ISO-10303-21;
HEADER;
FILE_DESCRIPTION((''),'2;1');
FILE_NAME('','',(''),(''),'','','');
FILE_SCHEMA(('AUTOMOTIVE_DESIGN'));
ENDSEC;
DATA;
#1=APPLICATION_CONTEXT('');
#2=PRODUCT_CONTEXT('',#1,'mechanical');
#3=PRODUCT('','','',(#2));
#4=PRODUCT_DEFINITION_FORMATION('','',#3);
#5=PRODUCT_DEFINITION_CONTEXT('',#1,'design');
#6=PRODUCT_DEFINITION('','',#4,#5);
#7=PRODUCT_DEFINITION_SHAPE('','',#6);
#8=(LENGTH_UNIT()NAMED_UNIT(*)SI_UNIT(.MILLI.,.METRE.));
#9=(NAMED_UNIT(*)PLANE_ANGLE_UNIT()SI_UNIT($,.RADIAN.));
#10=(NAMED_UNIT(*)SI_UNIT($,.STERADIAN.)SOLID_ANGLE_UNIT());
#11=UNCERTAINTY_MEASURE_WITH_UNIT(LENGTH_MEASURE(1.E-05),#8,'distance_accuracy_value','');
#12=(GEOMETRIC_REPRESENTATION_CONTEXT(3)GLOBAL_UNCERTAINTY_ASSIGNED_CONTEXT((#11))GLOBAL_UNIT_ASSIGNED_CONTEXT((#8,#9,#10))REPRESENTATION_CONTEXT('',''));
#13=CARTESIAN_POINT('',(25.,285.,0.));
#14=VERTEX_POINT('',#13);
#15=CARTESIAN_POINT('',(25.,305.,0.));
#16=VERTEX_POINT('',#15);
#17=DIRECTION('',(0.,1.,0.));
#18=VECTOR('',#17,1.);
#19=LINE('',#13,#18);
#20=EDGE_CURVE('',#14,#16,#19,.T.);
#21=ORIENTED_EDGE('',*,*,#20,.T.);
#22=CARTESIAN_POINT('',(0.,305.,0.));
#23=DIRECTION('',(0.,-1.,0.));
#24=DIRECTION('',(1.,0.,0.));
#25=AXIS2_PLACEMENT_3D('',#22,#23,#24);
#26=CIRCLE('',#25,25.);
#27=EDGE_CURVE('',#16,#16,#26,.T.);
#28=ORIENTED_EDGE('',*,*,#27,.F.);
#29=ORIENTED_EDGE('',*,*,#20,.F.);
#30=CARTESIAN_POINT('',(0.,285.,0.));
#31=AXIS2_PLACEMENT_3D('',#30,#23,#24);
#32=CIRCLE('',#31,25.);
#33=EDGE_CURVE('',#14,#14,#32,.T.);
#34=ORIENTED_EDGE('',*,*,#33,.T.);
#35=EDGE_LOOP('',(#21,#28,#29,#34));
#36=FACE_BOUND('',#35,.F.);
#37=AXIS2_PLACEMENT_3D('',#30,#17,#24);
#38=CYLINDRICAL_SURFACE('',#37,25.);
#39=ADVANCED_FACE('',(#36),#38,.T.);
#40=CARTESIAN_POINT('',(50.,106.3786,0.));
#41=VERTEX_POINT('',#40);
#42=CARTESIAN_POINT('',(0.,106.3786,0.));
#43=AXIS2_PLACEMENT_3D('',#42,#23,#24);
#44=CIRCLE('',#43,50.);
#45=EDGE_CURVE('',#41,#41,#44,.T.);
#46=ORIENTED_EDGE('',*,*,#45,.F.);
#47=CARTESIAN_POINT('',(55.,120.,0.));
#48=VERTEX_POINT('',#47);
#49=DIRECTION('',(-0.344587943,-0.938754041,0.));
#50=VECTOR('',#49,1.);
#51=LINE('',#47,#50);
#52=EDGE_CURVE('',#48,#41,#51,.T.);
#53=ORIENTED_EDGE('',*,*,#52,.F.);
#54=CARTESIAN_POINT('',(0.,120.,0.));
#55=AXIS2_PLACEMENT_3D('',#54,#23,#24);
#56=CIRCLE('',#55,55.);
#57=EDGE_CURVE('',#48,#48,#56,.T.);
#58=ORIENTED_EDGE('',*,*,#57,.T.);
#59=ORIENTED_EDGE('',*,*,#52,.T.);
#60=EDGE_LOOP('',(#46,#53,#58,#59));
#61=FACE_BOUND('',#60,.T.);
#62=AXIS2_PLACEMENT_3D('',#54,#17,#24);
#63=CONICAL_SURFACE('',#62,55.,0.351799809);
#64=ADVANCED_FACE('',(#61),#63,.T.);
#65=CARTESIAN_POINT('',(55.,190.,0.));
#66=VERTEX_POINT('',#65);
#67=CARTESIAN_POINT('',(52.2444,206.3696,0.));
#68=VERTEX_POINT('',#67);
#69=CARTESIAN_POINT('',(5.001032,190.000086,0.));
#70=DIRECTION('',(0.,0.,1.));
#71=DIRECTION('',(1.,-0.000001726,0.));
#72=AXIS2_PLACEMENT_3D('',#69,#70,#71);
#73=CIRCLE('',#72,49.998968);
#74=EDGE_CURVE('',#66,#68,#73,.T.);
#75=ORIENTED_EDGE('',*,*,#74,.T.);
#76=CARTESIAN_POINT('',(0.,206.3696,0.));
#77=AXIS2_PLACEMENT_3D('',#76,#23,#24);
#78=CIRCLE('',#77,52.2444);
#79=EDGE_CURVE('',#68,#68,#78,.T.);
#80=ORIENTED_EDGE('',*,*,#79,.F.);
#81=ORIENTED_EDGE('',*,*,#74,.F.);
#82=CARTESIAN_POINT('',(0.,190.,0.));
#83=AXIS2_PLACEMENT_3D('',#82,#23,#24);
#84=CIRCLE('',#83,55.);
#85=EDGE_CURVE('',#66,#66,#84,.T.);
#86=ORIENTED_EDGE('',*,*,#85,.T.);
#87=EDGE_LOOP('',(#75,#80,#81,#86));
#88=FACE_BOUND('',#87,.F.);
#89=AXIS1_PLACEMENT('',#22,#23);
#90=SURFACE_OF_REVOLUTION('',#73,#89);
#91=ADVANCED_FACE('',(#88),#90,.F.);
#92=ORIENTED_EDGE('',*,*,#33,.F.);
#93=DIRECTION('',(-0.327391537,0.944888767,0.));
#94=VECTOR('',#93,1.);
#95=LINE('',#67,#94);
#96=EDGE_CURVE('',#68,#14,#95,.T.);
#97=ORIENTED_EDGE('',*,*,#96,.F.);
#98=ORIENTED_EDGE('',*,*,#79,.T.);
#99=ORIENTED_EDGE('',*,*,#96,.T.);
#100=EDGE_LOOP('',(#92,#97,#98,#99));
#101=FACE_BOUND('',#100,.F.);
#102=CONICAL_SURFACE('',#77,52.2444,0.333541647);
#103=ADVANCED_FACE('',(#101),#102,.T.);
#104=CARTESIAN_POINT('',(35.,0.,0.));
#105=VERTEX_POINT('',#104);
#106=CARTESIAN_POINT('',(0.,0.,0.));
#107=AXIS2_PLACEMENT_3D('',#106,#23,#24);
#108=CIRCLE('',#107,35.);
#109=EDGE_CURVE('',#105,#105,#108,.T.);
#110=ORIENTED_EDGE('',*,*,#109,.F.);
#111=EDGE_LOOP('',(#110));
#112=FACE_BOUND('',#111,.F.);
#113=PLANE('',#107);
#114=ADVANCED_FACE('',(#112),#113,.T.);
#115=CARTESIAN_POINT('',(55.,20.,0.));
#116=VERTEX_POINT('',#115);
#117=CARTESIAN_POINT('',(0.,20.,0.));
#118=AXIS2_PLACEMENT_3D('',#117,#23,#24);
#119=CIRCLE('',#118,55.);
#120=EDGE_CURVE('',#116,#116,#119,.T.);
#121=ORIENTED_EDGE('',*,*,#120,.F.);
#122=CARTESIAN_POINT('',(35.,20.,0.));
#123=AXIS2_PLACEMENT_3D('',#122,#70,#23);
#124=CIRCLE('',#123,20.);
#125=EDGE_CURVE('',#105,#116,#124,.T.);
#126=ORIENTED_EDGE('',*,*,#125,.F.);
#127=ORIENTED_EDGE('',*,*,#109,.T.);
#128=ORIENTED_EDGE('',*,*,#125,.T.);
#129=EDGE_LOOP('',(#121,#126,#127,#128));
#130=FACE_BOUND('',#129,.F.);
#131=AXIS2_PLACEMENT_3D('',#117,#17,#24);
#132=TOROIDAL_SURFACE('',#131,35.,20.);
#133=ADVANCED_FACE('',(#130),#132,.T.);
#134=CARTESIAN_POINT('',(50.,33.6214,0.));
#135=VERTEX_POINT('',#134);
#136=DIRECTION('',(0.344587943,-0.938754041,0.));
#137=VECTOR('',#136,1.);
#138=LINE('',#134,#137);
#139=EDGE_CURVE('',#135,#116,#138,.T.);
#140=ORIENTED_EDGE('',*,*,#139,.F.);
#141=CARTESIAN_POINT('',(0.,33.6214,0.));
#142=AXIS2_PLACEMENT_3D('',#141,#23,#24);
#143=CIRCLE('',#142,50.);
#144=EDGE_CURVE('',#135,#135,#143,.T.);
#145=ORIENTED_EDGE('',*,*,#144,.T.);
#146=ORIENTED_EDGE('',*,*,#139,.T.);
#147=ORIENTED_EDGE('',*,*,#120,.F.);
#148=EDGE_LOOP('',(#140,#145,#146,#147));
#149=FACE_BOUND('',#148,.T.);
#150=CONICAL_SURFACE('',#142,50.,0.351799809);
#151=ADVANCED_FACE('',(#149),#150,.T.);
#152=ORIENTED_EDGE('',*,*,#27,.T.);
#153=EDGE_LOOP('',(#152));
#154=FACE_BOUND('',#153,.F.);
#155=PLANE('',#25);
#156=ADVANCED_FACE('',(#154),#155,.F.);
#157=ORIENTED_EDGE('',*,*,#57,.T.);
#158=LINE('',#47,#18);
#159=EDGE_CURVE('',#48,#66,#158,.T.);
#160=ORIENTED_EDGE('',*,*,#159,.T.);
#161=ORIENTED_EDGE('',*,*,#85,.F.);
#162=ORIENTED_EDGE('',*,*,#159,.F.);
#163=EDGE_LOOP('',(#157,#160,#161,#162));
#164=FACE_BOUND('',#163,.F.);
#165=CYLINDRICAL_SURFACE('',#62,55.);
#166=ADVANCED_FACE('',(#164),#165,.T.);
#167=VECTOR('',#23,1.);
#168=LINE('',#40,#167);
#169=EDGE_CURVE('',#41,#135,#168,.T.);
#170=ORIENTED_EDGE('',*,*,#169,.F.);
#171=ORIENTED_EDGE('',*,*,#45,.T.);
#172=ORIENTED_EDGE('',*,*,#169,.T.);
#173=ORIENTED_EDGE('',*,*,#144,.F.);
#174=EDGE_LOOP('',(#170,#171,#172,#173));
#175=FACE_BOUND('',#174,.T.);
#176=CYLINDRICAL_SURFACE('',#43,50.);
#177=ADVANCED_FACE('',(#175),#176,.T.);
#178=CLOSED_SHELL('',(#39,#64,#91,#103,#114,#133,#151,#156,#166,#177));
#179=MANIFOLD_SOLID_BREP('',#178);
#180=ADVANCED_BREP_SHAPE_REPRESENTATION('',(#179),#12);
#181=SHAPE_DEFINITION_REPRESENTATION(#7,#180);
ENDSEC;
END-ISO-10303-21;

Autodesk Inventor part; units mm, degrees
ref_plane "YZ Plane" through (0, 0, 0) normal (1, 0, 0) x (0, 1, 0)
ref_plane "XZ Plane" through (0, 0, 0) normal (0, 1, 0) x (-1, 0, 0)
ref_plane "XY Plane" through (0, 0, 0) normal (0, 0, 1) x (1, 0, 0)
sketch "Sketch1" plane through (0, 0, 0) normal (0, 0, 1) x (1, 0, 0)
  line L0 (0, 0) -> (35, 0)
  line L1 (55, 20) -> (55, 120) construction
  line L2 (52.2444, 206.3696) -> (25, 285)
  line L3 (25, 285) -> (25, 305)
  line L4 (25, 305) -> (0, 305)
  line L5 (0, 305) -> (0, 0)
  arc A0 (55, 190) -> (52.2444, 206.3696) centre (5, 190) ccw
  arc A1 (35, 0) -> (55, 20) centre (35, 20) ccw
  line L6 (55, 120) -> (50, 106.3786)
  line L7 (50, 106.3786) -> (50, 33.6214)
  line L8 (50, 33.6214) -> (55, 20)
  line L9 (55, 120) -> (55, 190)
  point P0 (55, 0)
  dimension "d1" = 55
  dimension "d4" = 50
  dimension "d6" = 25
  dimension "d7" = 20
  dimension "d8" = 115
  dimension "d9" = 20
  dimension "d10" = 70
  dimension "d11" = 120
  dimension "d12" = 5
revolve "Revolution1" add sketch "Sketch1" angle 360 about axis through (0, 305, 0) along (0, -1, 0)
properties part number "2L bottle"
